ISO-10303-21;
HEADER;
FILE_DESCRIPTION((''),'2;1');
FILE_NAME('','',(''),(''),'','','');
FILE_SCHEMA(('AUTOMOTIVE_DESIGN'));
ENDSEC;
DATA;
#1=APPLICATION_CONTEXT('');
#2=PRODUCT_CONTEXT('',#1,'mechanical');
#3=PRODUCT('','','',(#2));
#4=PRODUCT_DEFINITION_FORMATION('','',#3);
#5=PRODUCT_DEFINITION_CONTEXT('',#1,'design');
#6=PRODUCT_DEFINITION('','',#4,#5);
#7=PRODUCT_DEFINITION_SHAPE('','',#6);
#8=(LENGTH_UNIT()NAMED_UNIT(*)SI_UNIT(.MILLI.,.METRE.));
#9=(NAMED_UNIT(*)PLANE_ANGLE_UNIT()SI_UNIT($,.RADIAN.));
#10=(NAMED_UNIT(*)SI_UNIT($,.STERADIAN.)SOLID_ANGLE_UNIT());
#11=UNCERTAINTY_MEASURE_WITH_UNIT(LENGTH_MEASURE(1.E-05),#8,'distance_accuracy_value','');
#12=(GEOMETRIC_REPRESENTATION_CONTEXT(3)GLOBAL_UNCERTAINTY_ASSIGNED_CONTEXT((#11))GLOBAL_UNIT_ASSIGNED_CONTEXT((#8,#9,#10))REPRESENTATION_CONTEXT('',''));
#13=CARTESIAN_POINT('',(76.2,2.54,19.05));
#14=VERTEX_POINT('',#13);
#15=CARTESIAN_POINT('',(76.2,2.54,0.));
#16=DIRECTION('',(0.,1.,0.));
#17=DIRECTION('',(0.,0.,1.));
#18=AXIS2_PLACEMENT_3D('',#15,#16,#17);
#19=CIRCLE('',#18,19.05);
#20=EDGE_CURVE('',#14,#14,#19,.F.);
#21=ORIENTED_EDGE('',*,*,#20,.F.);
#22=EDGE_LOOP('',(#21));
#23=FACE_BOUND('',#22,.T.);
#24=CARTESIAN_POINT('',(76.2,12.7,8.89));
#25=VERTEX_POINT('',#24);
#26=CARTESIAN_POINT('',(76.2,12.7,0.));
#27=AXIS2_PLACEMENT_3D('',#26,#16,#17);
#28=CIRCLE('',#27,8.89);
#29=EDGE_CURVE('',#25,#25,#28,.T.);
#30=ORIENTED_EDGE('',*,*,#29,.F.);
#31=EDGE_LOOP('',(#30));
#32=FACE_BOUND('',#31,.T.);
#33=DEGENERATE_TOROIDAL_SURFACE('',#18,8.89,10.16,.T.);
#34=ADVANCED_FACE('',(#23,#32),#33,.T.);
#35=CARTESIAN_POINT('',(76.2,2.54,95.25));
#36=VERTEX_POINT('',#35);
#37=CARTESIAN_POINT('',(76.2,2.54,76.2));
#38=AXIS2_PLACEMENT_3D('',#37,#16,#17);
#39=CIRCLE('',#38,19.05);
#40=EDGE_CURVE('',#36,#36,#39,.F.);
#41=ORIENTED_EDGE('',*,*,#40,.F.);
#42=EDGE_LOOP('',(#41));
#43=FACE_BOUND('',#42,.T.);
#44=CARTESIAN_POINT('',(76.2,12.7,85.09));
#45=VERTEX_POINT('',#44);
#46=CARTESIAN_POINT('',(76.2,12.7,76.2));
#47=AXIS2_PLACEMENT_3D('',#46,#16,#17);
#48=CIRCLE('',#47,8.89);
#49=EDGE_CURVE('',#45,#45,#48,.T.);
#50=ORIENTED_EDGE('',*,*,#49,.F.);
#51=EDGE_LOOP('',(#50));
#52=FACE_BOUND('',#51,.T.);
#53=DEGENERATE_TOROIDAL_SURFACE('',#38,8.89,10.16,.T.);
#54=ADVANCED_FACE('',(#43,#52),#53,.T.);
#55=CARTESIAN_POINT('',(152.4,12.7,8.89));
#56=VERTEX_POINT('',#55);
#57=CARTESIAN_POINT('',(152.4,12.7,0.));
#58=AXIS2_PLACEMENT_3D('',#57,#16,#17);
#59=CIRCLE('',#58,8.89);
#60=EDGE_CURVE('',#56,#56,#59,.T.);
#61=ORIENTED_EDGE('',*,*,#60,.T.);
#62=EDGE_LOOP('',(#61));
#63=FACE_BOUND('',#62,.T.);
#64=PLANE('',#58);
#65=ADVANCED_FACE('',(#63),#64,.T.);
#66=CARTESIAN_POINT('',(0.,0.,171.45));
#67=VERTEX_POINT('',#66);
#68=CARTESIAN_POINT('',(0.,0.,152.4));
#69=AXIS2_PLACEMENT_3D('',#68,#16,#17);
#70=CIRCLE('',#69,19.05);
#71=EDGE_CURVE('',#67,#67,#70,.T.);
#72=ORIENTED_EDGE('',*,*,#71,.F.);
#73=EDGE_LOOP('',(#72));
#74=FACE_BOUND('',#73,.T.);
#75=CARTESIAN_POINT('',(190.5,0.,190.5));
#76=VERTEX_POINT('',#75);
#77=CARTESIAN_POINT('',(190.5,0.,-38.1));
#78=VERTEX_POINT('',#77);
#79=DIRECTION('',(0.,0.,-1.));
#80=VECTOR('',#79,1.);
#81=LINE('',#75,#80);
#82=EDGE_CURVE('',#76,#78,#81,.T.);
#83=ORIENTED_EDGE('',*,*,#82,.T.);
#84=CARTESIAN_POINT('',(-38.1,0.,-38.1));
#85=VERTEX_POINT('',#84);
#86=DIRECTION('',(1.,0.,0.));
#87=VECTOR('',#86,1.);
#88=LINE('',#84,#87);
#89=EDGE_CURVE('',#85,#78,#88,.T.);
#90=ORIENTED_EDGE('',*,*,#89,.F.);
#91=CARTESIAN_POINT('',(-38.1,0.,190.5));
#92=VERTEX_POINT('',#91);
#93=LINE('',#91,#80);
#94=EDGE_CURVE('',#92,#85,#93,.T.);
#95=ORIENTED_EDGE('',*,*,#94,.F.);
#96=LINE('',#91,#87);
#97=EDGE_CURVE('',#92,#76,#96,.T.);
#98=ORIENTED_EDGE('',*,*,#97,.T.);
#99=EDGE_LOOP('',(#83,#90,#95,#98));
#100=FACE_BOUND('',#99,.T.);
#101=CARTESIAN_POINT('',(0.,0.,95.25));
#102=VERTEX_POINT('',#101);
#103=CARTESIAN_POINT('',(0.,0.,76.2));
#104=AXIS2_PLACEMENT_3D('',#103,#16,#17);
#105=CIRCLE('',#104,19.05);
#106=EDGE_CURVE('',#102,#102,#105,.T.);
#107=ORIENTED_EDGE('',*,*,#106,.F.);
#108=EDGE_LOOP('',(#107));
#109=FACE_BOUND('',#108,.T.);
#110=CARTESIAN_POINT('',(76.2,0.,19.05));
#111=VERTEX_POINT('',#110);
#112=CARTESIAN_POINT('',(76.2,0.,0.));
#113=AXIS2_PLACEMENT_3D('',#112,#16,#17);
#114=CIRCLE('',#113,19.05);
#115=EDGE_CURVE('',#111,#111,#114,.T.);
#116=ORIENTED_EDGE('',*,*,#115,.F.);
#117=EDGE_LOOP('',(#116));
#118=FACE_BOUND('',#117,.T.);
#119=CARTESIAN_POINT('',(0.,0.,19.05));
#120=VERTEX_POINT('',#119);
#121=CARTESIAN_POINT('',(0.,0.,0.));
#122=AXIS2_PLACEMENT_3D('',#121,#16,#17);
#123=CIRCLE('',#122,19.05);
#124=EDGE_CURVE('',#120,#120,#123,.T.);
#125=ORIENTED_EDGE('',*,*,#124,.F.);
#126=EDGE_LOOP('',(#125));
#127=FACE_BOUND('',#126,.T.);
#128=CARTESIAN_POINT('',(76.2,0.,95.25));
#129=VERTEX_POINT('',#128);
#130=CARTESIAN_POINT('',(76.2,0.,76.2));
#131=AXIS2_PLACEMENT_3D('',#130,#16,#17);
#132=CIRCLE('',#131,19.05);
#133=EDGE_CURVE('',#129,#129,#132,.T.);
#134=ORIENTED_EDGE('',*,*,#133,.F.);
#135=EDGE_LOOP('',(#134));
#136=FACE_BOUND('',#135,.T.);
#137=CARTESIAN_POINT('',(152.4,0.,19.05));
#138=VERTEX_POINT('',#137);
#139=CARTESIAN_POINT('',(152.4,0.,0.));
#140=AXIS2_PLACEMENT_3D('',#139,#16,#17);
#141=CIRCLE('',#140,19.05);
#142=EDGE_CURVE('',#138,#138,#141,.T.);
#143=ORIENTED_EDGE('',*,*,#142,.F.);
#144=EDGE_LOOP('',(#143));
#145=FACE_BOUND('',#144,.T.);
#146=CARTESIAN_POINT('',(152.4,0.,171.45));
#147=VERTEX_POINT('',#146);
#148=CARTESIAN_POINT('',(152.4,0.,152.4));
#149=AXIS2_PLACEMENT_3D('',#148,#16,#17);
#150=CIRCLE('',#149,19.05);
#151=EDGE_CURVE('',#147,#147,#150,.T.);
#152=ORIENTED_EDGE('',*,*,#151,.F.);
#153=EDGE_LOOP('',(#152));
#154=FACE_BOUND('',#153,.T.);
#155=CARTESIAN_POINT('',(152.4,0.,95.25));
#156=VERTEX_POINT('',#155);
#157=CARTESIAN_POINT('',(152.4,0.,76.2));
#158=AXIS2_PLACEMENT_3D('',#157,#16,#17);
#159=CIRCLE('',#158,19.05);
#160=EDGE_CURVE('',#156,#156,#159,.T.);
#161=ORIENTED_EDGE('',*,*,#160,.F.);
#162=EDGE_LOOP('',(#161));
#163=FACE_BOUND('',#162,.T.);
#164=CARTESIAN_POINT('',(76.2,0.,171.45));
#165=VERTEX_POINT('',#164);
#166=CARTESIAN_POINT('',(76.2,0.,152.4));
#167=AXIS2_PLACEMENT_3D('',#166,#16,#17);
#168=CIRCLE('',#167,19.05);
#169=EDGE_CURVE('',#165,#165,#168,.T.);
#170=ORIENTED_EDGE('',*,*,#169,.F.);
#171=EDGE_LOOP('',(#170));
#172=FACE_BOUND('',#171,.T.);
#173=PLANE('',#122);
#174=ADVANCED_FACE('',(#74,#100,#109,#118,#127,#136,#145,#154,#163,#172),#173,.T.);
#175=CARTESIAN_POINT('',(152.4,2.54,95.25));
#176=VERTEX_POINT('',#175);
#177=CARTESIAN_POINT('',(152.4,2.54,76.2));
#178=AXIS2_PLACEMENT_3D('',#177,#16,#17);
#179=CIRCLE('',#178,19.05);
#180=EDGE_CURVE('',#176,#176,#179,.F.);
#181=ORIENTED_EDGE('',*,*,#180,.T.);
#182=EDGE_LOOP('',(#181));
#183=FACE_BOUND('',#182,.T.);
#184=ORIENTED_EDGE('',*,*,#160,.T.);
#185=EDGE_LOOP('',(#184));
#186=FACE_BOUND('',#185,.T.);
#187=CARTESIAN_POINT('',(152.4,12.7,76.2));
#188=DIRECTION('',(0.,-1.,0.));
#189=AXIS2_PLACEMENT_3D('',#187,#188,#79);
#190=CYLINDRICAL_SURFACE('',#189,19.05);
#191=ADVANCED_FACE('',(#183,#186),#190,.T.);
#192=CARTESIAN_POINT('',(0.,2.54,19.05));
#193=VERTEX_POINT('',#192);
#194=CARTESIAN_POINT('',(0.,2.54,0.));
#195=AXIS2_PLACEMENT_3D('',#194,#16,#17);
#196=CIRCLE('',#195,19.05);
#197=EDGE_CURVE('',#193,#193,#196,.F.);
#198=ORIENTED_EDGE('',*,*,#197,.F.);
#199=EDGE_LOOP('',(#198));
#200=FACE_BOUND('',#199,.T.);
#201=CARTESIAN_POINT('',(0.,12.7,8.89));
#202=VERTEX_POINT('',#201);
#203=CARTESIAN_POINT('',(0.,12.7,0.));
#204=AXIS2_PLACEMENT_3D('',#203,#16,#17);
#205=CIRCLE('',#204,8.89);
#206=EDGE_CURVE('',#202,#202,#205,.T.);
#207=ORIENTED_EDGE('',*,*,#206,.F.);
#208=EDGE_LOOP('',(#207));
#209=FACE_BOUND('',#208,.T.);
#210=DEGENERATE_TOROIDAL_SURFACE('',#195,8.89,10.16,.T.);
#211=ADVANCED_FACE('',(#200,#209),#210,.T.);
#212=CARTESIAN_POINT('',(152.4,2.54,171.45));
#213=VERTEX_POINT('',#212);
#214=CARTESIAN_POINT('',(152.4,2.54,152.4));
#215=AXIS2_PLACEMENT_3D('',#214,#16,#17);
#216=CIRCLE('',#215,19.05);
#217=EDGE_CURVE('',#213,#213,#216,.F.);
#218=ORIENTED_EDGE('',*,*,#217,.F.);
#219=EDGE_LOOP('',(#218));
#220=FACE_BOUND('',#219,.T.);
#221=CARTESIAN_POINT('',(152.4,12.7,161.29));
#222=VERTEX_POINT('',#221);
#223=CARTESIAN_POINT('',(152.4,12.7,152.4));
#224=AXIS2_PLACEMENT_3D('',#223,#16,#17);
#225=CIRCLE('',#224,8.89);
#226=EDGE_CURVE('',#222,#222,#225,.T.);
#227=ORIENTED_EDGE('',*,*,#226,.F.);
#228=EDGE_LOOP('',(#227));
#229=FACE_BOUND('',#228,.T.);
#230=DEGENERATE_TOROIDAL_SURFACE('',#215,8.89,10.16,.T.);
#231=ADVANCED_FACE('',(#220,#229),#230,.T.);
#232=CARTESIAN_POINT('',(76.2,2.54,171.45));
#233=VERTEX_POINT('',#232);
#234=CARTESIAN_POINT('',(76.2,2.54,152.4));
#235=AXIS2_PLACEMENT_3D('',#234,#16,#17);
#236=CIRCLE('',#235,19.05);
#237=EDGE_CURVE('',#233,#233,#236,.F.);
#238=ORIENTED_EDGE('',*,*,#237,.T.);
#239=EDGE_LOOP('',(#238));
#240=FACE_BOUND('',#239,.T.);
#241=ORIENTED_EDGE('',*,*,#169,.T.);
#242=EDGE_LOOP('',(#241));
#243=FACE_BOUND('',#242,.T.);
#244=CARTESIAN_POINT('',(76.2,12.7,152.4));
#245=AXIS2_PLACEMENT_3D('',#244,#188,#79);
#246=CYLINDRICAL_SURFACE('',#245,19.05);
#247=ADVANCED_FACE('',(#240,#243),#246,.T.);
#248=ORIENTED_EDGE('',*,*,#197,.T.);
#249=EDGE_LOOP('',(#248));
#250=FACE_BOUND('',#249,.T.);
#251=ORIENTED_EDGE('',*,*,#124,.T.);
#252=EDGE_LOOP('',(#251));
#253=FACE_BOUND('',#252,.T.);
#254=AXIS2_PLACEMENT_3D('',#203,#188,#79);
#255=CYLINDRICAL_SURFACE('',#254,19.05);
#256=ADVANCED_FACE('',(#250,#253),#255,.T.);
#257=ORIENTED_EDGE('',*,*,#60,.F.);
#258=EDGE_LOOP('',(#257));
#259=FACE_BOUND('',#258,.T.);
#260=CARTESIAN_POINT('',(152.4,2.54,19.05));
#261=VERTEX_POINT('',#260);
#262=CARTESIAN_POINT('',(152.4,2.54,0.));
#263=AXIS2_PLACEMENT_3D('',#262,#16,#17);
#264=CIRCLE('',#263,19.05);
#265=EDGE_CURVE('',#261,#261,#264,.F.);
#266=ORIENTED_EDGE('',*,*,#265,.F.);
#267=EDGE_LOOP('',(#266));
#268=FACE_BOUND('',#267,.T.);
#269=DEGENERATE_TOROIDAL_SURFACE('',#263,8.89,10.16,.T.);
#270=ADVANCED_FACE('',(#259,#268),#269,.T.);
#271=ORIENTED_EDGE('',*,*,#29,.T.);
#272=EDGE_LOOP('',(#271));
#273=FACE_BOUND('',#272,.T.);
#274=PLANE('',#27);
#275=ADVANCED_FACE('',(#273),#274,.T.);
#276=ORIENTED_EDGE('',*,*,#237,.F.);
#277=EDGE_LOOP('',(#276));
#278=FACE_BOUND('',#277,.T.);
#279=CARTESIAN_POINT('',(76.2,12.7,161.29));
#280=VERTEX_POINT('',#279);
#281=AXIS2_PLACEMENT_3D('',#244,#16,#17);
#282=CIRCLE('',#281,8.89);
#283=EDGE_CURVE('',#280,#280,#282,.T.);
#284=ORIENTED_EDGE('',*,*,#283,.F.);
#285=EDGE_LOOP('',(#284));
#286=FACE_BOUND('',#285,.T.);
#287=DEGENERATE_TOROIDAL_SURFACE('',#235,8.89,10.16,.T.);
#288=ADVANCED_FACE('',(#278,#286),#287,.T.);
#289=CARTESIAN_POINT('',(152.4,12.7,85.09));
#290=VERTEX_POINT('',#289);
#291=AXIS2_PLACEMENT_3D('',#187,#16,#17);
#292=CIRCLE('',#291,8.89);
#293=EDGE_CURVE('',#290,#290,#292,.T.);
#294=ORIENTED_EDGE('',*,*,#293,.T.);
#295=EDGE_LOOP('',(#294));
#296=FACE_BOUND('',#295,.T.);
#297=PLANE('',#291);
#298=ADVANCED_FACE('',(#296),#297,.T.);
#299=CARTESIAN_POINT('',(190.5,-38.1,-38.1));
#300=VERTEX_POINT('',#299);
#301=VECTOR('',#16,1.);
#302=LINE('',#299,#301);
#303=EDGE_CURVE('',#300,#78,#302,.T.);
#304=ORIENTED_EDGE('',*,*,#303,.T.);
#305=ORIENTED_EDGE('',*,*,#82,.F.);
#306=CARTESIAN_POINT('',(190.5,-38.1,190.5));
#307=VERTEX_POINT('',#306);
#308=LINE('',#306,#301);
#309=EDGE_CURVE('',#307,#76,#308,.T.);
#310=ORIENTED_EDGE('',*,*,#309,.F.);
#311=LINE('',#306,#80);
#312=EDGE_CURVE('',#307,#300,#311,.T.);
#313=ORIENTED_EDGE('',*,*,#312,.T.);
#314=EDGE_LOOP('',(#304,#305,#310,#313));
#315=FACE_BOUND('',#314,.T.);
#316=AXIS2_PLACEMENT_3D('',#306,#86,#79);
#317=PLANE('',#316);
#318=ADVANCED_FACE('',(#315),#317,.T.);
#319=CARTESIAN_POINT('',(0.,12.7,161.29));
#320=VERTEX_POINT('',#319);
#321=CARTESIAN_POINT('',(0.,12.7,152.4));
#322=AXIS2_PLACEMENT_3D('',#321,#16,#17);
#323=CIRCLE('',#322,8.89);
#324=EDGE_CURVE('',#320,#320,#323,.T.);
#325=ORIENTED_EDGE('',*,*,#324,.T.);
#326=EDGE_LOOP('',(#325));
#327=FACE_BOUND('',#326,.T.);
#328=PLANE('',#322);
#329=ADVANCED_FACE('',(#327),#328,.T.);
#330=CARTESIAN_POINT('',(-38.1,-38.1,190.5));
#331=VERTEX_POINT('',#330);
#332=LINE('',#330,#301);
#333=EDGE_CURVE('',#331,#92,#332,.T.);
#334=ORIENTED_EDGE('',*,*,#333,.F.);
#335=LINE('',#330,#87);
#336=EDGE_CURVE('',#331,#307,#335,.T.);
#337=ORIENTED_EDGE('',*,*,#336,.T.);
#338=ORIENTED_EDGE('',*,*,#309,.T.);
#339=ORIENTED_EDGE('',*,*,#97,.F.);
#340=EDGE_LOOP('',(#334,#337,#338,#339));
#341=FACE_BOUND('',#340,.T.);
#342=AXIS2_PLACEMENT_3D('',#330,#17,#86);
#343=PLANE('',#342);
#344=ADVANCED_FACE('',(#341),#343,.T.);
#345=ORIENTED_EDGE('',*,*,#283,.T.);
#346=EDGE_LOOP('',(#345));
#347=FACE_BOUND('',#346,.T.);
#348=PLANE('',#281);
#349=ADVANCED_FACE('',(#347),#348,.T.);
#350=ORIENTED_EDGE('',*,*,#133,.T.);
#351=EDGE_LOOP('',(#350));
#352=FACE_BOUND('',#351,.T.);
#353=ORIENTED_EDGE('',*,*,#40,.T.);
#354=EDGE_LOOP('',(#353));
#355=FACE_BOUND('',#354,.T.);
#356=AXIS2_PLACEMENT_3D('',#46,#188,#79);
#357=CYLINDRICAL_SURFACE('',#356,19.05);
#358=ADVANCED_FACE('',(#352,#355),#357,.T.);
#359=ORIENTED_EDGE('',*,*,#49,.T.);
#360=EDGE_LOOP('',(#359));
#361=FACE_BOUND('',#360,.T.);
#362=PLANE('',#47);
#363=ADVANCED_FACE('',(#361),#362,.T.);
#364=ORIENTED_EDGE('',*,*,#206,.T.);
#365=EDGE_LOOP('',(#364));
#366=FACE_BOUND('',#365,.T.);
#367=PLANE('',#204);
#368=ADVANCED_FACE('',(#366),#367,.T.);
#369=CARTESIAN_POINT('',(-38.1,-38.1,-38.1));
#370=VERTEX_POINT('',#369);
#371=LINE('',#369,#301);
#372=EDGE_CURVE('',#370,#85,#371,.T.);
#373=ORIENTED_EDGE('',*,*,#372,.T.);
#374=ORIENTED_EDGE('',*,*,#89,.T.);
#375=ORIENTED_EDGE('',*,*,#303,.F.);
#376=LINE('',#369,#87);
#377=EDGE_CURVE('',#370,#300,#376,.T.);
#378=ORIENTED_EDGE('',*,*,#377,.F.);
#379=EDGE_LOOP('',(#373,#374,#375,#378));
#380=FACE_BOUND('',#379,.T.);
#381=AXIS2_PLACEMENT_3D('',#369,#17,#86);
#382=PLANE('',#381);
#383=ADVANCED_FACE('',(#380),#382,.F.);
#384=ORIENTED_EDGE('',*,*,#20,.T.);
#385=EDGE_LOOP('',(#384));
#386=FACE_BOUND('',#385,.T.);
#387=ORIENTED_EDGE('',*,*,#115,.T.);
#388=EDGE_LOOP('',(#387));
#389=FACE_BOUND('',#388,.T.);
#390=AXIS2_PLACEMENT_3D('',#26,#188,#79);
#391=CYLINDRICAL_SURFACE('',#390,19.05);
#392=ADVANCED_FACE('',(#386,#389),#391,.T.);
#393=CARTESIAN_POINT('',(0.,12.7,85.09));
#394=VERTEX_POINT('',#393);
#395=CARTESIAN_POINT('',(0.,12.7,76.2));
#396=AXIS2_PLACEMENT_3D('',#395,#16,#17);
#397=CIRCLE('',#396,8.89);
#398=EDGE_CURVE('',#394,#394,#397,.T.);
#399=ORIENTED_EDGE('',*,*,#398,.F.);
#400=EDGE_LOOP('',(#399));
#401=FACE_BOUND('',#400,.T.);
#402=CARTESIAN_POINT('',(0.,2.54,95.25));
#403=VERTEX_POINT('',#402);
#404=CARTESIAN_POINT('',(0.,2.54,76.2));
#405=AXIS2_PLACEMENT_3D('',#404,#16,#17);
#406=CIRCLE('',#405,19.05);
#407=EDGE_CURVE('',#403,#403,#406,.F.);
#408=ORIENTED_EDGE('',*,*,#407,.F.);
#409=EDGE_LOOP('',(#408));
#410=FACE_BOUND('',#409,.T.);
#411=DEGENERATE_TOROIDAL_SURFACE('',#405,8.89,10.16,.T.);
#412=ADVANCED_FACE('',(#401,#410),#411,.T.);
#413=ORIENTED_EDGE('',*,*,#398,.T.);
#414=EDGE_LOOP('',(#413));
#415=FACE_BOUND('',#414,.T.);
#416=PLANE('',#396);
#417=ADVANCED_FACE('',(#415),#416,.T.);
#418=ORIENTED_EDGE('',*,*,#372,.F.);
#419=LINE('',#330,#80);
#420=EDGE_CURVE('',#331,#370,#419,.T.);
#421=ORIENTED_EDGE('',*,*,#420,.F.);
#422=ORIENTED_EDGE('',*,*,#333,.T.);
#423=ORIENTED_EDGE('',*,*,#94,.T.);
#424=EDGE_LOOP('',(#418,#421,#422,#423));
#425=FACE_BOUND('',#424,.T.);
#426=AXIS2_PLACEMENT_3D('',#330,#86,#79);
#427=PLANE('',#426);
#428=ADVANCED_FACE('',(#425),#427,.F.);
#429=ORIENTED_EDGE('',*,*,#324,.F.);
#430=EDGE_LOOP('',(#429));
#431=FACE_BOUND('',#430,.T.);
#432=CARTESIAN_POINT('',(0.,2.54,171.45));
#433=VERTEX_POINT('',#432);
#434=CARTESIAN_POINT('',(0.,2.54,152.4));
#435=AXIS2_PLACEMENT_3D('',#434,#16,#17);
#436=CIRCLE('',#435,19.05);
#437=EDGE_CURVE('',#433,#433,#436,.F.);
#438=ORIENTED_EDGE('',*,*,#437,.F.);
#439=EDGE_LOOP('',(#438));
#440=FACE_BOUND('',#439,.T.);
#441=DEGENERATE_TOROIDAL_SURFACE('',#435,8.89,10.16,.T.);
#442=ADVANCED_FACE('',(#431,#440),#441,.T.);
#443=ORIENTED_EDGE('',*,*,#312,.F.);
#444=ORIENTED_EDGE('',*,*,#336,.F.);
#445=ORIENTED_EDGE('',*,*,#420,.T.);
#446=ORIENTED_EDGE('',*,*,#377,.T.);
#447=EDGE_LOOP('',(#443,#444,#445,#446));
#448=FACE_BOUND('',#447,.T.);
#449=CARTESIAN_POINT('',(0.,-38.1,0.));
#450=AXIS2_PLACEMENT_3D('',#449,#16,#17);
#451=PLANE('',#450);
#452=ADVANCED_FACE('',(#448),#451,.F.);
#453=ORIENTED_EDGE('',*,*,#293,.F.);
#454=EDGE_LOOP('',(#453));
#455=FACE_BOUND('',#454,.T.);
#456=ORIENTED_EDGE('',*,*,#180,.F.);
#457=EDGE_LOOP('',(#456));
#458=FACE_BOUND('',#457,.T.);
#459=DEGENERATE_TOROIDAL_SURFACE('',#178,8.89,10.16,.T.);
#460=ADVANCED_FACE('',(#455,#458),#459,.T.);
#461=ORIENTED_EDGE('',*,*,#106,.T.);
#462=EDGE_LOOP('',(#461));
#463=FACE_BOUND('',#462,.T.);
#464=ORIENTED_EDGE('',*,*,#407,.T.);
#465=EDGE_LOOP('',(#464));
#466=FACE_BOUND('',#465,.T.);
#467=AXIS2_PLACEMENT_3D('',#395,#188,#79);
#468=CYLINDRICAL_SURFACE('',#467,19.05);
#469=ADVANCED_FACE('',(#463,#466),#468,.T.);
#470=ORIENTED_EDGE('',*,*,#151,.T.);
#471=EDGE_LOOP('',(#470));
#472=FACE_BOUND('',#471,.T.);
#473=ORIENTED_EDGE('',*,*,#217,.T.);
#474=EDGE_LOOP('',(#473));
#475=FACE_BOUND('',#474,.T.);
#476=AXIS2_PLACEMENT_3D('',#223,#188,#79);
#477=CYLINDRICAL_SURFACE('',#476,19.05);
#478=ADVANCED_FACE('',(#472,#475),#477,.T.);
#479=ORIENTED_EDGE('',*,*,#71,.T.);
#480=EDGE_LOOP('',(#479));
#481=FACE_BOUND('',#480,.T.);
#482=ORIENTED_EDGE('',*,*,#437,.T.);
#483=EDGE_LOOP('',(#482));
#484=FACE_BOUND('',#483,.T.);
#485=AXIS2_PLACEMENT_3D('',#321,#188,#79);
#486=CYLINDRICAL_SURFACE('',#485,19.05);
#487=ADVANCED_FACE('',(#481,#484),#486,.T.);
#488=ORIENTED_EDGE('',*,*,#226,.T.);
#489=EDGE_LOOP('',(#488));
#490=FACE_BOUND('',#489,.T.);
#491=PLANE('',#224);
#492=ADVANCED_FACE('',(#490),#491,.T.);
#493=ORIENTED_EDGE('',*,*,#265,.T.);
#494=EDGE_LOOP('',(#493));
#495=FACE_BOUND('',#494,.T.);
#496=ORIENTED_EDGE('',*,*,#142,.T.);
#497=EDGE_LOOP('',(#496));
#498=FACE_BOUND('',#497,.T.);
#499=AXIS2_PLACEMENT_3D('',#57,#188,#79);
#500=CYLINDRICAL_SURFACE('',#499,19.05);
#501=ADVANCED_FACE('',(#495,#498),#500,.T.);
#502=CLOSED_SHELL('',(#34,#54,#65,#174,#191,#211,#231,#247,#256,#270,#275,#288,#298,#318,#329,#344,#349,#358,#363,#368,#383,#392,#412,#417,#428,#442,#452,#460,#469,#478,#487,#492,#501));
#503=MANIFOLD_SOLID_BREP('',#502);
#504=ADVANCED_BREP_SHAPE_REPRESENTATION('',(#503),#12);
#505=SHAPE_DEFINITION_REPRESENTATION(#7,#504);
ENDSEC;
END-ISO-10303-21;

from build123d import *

# Parameters (mm, degrees)
SKETCH1_W           = 228.6
SKETCH1_H           = 228.6
BOSS_EXTRUDE1_DEPTH = 38.1
SKETCH1_3_R         = 19.05
BOSS_EXTRUDE2_DEPTH = 12.7
FILLET1_R           = 10.16


with BuildPart() as part:
    # Sketch1 → Boss-Extrude1 (new body)
    with BuildSketch(Plane(origin=(0, 0, 0), x_dir=(1, 0, 0), z_dir=(0, 1, 0))):
        with Locations((76.2, -76.2)):
            Rectangle(SKETCH1_W, SKETCH1_H)
    extrude(amount=-BOSS_EXTRUDE1_DEPTH)

    # Sketch1<3> → Boss-Extrude2 (add)
    with BuildSketch(Plane(origin=(0, 0, 0), x_dir=(1, 0, 0), z_dir=(0, 1, 0))):
        Circle(SKETCH1_3_R)
        with Locations((76.2, 0)):
            Circle(SKETCH1_3_R)
        with Locations((152.4, 0)):
            Circle(SKETCH1_3_R)
        with Locations((0, -76.2)):
            Circle(SKETCH1_3_R)
        with Locations((76.2, -76.2)):
            Circle(SKETCH1_3_R)
        with Locations((152.4, -76.2)):
            Circle(SKETCH1_3_R)
        with Locations((0, -152.4)):
            Circle(SKETCH1_3_R)
        with Locations((76.2, -152.4)):
            Circle(SKETCH1_3_R)
        with Locations((152.4, -152.4)):
            Circle(SKETCH1_3_R)
    extrude(amount=BOSS_EXTRUDE2_DEPTH)

    # Fillet1
    fillet1_edges = [part.edges().sort_by_distance(p)[0] for p in [
        (133.35, 12.7, 0),
        (133.35, 12.7, 76.2),
        (133.35, 12.7, 152.4),
        (57.15, 12.7, 152.4),
        (57.15, 12.7, 76.2),
        (57.15, 12.7, 0),
        (-19.05, 12.7, 0),
        (-19.05, 12.7, 76.2),
        (-19.05, 12.7, 152.4),
    ]]
    fillet(fillet1_edges, radius=FILLET1_R)


solid = part.part
